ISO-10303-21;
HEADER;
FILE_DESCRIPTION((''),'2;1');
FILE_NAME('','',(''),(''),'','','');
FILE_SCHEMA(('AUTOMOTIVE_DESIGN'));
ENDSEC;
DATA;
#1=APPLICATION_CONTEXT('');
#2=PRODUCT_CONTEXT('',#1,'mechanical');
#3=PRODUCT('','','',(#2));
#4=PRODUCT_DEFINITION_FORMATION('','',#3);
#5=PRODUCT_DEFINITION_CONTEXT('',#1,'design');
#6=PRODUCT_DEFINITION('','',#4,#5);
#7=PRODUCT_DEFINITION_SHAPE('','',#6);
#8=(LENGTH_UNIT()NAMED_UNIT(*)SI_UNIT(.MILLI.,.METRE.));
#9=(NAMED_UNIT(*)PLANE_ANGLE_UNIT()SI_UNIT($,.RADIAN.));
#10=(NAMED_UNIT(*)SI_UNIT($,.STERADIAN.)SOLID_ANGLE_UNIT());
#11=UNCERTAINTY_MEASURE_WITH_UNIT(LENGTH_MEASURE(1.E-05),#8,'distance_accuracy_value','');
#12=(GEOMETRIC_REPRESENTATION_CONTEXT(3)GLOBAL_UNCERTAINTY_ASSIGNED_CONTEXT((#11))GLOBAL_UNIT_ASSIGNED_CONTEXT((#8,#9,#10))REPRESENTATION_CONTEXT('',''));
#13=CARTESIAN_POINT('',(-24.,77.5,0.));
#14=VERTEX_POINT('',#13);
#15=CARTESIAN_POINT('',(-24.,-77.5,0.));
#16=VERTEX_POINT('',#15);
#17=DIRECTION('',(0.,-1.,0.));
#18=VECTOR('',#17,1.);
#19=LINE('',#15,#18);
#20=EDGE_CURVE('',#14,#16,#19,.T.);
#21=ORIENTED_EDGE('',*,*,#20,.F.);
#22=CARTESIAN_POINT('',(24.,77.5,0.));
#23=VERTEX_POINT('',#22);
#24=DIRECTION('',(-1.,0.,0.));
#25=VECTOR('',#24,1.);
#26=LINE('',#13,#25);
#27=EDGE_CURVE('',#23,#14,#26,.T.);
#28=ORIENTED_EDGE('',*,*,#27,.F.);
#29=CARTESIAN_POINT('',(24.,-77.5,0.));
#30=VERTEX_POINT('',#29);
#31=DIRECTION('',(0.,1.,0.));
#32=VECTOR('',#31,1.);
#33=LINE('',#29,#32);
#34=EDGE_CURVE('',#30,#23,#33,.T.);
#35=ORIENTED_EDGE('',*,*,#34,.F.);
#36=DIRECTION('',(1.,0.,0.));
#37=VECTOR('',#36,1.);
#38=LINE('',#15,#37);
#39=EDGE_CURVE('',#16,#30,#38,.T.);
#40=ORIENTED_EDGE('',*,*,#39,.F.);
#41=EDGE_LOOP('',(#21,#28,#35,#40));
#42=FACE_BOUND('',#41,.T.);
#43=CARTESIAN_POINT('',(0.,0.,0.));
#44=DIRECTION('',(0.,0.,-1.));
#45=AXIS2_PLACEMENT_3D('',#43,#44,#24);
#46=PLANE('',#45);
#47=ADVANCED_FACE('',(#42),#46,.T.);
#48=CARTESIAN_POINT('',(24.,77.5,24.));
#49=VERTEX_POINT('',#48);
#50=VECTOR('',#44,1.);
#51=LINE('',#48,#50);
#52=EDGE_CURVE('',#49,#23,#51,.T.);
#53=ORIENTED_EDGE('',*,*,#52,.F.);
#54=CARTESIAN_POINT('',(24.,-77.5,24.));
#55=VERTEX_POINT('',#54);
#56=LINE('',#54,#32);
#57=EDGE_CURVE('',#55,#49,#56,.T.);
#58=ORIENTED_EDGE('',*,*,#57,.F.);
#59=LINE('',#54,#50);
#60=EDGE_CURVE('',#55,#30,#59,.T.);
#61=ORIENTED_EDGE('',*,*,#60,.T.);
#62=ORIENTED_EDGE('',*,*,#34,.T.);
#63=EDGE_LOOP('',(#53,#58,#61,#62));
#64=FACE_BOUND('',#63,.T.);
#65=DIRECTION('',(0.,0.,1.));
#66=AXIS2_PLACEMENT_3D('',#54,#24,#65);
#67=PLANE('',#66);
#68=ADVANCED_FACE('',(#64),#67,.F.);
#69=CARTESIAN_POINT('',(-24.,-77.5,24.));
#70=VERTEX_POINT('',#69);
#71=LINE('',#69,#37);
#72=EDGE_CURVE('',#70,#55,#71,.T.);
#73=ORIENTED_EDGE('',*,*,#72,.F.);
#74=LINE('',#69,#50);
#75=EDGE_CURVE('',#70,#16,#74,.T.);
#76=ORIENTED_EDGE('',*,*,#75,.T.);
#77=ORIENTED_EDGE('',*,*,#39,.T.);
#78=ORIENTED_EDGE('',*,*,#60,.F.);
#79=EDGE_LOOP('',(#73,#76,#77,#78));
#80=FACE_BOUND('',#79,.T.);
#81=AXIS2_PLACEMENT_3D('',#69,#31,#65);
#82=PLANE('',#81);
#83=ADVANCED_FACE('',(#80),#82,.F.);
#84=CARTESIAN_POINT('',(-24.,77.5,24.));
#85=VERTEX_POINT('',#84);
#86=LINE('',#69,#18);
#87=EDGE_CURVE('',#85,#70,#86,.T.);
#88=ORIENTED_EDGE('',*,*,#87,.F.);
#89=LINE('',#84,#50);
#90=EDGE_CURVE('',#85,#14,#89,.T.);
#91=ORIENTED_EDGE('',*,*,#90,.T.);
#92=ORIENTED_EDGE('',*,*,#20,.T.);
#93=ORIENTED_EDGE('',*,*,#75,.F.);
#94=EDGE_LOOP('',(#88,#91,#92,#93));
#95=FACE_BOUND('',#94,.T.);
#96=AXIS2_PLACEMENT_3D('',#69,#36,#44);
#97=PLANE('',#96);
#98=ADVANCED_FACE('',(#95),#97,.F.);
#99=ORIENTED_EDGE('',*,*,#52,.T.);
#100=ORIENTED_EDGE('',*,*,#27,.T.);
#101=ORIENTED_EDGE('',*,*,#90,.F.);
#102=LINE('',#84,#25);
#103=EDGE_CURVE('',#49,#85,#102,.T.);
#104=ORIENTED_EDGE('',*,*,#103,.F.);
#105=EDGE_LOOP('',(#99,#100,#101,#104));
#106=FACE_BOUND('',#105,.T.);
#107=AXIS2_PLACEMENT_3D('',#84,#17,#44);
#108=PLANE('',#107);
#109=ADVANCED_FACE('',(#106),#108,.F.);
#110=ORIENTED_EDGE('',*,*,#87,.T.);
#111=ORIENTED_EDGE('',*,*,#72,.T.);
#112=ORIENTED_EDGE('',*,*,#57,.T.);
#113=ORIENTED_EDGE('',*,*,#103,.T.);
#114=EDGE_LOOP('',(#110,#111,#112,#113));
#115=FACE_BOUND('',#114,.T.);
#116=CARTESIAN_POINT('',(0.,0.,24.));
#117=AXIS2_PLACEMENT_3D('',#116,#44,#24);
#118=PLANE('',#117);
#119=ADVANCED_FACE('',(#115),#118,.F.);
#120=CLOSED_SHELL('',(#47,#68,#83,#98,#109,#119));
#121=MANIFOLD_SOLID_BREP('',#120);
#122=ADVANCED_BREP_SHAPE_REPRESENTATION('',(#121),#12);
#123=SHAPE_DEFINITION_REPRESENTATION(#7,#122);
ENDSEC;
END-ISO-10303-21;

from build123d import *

# Parameters (mm, degrees)
SKETCH1_W           = 48
SKETCH1_H           = 155
BOSS_EXTRUDE1_DEPTH = 24


with BuildPart() as part:
    # Sketch1 → Boss-Extrude1 (new body)
    with BuildSketch(Plane.XY):
        Rectangle(SKETCH1_W, SKETCH1_H)
    extrude(amount=BOSS_EXTRUDE1_DEPTH)


solid = part.part
